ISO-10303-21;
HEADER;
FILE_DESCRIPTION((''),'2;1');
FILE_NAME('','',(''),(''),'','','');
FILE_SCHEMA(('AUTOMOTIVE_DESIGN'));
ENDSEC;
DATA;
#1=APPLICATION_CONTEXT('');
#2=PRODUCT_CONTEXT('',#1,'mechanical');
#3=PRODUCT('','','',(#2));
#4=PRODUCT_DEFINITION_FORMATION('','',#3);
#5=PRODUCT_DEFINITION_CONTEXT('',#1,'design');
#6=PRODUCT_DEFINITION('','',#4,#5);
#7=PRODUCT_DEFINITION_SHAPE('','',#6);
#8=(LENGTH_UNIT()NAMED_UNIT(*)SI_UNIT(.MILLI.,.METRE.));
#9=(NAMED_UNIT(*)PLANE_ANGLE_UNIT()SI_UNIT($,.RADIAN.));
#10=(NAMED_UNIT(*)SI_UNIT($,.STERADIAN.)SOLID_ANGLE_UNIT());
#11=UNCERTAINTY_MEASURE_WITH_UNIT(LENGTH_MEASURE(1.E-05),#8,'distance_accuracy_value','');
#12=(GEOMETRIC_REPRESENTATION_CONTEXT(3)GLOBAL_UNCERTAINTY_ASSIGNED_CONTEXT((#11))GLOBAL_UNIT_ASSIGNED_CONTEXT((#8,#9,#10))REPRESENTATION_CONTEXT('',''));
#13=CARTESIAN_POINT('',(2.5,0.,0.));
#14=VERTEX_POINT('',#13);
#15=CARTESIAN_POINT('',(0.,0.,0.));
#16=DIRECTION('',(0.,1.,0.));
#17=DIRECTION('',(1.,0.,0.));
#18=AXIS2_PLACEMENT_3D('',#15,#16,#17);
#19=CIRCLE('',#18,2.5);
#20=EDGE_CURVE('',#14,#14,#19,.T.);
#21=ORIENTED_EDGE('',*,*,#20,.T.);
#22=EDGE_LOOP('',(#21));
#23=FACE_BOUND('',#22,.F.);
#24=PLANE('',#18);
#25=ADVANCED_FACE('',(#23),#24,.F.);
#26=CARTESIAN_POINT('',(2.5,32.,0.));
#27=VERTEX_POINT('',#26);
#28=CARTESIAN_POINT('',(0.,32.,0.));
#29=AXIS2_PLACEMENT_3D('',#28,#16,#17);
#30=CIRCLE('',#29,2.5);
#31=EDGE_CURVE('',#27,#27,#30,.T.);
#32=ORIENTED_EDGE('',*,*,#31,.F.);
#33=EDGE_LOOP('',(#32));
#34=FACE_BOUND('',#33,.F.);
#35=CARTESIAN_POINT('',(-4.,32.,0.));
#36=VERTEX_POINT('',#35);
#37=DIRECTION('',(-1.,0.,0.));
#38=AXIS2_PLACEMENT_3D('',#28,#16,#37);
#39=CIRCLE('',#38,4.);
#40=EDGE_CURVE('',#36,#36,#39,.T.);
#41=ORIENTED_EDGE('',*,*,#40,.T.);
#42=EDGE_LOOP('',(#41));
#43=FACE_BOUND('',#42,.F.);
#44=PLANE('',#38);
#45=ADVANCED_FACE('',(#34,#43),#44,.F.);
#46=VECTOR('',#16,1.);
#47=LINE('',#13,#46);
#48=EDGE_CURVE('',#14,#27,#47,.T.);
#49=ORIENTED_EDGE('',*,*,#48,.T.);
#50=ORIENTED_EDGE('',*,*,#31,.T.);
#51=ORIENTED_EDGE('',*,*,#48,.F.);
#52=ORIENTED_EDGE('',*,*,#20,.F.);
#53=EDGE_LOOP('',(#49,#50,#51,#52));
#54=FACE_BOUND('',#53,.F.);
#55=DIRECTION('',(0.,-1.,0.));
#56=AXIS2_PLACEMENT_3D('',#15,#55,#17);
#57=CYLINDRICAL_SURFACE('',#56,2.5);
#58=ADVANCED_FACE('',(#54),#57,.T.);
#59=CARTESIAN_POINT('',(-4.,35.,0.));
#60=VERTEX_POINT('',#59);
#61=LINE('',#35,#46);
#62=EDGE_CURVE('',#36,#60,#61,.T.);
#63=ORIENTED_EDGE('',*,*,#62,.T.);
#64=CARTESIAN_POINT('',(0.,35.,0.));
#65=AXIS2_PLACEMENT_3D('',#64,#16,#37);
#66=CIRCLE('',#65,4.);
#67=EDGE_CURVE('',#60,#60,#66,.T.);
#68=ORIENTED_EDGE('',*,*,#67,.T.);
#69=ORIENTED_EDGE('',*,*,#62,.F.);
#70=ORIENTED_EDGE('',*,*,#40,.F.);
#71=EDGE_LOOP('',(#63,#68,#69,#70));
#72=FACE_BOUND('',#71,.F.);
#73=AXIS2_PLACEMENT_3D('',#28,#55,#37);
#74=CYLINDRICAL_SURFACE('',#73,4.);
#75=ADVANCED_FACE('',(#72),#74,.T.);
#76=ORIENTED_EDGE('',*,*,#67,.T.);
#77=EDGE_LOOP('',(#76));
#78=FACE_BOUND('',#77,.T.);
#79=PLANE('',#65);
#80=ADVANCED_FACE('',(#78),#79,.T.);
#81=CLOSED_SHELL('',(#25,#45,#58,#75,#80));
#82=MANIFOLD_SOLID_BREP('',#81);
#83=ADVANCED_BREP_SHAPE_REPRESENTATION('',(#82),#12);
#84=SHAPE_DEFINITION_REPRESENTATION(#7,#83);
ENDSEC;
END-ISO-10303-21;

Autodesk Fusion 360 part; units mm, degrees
sketch "Sketch1" plane through (0, 0, 0) normal (0, 1, 0) x (1, 0, 0)
  circle A0 centre (0, 0) radius 2.5
  dimension "d1" = 5
extrude "Extrude1" add sketch "Sketch1" along normal blind 32
sketch "Sketch2" plane through (0, 32, 0) normal (0, 1, 0) x (-1, 0, 0)
  circle A0 centre (0, 0) radius 2.5
  circle A1 centre (0, 0) radius 4
  dimension "d4" = 8
extrude "Extrude2" add sketch "Sketch2" along normal blind 3 contours A0 | A1
